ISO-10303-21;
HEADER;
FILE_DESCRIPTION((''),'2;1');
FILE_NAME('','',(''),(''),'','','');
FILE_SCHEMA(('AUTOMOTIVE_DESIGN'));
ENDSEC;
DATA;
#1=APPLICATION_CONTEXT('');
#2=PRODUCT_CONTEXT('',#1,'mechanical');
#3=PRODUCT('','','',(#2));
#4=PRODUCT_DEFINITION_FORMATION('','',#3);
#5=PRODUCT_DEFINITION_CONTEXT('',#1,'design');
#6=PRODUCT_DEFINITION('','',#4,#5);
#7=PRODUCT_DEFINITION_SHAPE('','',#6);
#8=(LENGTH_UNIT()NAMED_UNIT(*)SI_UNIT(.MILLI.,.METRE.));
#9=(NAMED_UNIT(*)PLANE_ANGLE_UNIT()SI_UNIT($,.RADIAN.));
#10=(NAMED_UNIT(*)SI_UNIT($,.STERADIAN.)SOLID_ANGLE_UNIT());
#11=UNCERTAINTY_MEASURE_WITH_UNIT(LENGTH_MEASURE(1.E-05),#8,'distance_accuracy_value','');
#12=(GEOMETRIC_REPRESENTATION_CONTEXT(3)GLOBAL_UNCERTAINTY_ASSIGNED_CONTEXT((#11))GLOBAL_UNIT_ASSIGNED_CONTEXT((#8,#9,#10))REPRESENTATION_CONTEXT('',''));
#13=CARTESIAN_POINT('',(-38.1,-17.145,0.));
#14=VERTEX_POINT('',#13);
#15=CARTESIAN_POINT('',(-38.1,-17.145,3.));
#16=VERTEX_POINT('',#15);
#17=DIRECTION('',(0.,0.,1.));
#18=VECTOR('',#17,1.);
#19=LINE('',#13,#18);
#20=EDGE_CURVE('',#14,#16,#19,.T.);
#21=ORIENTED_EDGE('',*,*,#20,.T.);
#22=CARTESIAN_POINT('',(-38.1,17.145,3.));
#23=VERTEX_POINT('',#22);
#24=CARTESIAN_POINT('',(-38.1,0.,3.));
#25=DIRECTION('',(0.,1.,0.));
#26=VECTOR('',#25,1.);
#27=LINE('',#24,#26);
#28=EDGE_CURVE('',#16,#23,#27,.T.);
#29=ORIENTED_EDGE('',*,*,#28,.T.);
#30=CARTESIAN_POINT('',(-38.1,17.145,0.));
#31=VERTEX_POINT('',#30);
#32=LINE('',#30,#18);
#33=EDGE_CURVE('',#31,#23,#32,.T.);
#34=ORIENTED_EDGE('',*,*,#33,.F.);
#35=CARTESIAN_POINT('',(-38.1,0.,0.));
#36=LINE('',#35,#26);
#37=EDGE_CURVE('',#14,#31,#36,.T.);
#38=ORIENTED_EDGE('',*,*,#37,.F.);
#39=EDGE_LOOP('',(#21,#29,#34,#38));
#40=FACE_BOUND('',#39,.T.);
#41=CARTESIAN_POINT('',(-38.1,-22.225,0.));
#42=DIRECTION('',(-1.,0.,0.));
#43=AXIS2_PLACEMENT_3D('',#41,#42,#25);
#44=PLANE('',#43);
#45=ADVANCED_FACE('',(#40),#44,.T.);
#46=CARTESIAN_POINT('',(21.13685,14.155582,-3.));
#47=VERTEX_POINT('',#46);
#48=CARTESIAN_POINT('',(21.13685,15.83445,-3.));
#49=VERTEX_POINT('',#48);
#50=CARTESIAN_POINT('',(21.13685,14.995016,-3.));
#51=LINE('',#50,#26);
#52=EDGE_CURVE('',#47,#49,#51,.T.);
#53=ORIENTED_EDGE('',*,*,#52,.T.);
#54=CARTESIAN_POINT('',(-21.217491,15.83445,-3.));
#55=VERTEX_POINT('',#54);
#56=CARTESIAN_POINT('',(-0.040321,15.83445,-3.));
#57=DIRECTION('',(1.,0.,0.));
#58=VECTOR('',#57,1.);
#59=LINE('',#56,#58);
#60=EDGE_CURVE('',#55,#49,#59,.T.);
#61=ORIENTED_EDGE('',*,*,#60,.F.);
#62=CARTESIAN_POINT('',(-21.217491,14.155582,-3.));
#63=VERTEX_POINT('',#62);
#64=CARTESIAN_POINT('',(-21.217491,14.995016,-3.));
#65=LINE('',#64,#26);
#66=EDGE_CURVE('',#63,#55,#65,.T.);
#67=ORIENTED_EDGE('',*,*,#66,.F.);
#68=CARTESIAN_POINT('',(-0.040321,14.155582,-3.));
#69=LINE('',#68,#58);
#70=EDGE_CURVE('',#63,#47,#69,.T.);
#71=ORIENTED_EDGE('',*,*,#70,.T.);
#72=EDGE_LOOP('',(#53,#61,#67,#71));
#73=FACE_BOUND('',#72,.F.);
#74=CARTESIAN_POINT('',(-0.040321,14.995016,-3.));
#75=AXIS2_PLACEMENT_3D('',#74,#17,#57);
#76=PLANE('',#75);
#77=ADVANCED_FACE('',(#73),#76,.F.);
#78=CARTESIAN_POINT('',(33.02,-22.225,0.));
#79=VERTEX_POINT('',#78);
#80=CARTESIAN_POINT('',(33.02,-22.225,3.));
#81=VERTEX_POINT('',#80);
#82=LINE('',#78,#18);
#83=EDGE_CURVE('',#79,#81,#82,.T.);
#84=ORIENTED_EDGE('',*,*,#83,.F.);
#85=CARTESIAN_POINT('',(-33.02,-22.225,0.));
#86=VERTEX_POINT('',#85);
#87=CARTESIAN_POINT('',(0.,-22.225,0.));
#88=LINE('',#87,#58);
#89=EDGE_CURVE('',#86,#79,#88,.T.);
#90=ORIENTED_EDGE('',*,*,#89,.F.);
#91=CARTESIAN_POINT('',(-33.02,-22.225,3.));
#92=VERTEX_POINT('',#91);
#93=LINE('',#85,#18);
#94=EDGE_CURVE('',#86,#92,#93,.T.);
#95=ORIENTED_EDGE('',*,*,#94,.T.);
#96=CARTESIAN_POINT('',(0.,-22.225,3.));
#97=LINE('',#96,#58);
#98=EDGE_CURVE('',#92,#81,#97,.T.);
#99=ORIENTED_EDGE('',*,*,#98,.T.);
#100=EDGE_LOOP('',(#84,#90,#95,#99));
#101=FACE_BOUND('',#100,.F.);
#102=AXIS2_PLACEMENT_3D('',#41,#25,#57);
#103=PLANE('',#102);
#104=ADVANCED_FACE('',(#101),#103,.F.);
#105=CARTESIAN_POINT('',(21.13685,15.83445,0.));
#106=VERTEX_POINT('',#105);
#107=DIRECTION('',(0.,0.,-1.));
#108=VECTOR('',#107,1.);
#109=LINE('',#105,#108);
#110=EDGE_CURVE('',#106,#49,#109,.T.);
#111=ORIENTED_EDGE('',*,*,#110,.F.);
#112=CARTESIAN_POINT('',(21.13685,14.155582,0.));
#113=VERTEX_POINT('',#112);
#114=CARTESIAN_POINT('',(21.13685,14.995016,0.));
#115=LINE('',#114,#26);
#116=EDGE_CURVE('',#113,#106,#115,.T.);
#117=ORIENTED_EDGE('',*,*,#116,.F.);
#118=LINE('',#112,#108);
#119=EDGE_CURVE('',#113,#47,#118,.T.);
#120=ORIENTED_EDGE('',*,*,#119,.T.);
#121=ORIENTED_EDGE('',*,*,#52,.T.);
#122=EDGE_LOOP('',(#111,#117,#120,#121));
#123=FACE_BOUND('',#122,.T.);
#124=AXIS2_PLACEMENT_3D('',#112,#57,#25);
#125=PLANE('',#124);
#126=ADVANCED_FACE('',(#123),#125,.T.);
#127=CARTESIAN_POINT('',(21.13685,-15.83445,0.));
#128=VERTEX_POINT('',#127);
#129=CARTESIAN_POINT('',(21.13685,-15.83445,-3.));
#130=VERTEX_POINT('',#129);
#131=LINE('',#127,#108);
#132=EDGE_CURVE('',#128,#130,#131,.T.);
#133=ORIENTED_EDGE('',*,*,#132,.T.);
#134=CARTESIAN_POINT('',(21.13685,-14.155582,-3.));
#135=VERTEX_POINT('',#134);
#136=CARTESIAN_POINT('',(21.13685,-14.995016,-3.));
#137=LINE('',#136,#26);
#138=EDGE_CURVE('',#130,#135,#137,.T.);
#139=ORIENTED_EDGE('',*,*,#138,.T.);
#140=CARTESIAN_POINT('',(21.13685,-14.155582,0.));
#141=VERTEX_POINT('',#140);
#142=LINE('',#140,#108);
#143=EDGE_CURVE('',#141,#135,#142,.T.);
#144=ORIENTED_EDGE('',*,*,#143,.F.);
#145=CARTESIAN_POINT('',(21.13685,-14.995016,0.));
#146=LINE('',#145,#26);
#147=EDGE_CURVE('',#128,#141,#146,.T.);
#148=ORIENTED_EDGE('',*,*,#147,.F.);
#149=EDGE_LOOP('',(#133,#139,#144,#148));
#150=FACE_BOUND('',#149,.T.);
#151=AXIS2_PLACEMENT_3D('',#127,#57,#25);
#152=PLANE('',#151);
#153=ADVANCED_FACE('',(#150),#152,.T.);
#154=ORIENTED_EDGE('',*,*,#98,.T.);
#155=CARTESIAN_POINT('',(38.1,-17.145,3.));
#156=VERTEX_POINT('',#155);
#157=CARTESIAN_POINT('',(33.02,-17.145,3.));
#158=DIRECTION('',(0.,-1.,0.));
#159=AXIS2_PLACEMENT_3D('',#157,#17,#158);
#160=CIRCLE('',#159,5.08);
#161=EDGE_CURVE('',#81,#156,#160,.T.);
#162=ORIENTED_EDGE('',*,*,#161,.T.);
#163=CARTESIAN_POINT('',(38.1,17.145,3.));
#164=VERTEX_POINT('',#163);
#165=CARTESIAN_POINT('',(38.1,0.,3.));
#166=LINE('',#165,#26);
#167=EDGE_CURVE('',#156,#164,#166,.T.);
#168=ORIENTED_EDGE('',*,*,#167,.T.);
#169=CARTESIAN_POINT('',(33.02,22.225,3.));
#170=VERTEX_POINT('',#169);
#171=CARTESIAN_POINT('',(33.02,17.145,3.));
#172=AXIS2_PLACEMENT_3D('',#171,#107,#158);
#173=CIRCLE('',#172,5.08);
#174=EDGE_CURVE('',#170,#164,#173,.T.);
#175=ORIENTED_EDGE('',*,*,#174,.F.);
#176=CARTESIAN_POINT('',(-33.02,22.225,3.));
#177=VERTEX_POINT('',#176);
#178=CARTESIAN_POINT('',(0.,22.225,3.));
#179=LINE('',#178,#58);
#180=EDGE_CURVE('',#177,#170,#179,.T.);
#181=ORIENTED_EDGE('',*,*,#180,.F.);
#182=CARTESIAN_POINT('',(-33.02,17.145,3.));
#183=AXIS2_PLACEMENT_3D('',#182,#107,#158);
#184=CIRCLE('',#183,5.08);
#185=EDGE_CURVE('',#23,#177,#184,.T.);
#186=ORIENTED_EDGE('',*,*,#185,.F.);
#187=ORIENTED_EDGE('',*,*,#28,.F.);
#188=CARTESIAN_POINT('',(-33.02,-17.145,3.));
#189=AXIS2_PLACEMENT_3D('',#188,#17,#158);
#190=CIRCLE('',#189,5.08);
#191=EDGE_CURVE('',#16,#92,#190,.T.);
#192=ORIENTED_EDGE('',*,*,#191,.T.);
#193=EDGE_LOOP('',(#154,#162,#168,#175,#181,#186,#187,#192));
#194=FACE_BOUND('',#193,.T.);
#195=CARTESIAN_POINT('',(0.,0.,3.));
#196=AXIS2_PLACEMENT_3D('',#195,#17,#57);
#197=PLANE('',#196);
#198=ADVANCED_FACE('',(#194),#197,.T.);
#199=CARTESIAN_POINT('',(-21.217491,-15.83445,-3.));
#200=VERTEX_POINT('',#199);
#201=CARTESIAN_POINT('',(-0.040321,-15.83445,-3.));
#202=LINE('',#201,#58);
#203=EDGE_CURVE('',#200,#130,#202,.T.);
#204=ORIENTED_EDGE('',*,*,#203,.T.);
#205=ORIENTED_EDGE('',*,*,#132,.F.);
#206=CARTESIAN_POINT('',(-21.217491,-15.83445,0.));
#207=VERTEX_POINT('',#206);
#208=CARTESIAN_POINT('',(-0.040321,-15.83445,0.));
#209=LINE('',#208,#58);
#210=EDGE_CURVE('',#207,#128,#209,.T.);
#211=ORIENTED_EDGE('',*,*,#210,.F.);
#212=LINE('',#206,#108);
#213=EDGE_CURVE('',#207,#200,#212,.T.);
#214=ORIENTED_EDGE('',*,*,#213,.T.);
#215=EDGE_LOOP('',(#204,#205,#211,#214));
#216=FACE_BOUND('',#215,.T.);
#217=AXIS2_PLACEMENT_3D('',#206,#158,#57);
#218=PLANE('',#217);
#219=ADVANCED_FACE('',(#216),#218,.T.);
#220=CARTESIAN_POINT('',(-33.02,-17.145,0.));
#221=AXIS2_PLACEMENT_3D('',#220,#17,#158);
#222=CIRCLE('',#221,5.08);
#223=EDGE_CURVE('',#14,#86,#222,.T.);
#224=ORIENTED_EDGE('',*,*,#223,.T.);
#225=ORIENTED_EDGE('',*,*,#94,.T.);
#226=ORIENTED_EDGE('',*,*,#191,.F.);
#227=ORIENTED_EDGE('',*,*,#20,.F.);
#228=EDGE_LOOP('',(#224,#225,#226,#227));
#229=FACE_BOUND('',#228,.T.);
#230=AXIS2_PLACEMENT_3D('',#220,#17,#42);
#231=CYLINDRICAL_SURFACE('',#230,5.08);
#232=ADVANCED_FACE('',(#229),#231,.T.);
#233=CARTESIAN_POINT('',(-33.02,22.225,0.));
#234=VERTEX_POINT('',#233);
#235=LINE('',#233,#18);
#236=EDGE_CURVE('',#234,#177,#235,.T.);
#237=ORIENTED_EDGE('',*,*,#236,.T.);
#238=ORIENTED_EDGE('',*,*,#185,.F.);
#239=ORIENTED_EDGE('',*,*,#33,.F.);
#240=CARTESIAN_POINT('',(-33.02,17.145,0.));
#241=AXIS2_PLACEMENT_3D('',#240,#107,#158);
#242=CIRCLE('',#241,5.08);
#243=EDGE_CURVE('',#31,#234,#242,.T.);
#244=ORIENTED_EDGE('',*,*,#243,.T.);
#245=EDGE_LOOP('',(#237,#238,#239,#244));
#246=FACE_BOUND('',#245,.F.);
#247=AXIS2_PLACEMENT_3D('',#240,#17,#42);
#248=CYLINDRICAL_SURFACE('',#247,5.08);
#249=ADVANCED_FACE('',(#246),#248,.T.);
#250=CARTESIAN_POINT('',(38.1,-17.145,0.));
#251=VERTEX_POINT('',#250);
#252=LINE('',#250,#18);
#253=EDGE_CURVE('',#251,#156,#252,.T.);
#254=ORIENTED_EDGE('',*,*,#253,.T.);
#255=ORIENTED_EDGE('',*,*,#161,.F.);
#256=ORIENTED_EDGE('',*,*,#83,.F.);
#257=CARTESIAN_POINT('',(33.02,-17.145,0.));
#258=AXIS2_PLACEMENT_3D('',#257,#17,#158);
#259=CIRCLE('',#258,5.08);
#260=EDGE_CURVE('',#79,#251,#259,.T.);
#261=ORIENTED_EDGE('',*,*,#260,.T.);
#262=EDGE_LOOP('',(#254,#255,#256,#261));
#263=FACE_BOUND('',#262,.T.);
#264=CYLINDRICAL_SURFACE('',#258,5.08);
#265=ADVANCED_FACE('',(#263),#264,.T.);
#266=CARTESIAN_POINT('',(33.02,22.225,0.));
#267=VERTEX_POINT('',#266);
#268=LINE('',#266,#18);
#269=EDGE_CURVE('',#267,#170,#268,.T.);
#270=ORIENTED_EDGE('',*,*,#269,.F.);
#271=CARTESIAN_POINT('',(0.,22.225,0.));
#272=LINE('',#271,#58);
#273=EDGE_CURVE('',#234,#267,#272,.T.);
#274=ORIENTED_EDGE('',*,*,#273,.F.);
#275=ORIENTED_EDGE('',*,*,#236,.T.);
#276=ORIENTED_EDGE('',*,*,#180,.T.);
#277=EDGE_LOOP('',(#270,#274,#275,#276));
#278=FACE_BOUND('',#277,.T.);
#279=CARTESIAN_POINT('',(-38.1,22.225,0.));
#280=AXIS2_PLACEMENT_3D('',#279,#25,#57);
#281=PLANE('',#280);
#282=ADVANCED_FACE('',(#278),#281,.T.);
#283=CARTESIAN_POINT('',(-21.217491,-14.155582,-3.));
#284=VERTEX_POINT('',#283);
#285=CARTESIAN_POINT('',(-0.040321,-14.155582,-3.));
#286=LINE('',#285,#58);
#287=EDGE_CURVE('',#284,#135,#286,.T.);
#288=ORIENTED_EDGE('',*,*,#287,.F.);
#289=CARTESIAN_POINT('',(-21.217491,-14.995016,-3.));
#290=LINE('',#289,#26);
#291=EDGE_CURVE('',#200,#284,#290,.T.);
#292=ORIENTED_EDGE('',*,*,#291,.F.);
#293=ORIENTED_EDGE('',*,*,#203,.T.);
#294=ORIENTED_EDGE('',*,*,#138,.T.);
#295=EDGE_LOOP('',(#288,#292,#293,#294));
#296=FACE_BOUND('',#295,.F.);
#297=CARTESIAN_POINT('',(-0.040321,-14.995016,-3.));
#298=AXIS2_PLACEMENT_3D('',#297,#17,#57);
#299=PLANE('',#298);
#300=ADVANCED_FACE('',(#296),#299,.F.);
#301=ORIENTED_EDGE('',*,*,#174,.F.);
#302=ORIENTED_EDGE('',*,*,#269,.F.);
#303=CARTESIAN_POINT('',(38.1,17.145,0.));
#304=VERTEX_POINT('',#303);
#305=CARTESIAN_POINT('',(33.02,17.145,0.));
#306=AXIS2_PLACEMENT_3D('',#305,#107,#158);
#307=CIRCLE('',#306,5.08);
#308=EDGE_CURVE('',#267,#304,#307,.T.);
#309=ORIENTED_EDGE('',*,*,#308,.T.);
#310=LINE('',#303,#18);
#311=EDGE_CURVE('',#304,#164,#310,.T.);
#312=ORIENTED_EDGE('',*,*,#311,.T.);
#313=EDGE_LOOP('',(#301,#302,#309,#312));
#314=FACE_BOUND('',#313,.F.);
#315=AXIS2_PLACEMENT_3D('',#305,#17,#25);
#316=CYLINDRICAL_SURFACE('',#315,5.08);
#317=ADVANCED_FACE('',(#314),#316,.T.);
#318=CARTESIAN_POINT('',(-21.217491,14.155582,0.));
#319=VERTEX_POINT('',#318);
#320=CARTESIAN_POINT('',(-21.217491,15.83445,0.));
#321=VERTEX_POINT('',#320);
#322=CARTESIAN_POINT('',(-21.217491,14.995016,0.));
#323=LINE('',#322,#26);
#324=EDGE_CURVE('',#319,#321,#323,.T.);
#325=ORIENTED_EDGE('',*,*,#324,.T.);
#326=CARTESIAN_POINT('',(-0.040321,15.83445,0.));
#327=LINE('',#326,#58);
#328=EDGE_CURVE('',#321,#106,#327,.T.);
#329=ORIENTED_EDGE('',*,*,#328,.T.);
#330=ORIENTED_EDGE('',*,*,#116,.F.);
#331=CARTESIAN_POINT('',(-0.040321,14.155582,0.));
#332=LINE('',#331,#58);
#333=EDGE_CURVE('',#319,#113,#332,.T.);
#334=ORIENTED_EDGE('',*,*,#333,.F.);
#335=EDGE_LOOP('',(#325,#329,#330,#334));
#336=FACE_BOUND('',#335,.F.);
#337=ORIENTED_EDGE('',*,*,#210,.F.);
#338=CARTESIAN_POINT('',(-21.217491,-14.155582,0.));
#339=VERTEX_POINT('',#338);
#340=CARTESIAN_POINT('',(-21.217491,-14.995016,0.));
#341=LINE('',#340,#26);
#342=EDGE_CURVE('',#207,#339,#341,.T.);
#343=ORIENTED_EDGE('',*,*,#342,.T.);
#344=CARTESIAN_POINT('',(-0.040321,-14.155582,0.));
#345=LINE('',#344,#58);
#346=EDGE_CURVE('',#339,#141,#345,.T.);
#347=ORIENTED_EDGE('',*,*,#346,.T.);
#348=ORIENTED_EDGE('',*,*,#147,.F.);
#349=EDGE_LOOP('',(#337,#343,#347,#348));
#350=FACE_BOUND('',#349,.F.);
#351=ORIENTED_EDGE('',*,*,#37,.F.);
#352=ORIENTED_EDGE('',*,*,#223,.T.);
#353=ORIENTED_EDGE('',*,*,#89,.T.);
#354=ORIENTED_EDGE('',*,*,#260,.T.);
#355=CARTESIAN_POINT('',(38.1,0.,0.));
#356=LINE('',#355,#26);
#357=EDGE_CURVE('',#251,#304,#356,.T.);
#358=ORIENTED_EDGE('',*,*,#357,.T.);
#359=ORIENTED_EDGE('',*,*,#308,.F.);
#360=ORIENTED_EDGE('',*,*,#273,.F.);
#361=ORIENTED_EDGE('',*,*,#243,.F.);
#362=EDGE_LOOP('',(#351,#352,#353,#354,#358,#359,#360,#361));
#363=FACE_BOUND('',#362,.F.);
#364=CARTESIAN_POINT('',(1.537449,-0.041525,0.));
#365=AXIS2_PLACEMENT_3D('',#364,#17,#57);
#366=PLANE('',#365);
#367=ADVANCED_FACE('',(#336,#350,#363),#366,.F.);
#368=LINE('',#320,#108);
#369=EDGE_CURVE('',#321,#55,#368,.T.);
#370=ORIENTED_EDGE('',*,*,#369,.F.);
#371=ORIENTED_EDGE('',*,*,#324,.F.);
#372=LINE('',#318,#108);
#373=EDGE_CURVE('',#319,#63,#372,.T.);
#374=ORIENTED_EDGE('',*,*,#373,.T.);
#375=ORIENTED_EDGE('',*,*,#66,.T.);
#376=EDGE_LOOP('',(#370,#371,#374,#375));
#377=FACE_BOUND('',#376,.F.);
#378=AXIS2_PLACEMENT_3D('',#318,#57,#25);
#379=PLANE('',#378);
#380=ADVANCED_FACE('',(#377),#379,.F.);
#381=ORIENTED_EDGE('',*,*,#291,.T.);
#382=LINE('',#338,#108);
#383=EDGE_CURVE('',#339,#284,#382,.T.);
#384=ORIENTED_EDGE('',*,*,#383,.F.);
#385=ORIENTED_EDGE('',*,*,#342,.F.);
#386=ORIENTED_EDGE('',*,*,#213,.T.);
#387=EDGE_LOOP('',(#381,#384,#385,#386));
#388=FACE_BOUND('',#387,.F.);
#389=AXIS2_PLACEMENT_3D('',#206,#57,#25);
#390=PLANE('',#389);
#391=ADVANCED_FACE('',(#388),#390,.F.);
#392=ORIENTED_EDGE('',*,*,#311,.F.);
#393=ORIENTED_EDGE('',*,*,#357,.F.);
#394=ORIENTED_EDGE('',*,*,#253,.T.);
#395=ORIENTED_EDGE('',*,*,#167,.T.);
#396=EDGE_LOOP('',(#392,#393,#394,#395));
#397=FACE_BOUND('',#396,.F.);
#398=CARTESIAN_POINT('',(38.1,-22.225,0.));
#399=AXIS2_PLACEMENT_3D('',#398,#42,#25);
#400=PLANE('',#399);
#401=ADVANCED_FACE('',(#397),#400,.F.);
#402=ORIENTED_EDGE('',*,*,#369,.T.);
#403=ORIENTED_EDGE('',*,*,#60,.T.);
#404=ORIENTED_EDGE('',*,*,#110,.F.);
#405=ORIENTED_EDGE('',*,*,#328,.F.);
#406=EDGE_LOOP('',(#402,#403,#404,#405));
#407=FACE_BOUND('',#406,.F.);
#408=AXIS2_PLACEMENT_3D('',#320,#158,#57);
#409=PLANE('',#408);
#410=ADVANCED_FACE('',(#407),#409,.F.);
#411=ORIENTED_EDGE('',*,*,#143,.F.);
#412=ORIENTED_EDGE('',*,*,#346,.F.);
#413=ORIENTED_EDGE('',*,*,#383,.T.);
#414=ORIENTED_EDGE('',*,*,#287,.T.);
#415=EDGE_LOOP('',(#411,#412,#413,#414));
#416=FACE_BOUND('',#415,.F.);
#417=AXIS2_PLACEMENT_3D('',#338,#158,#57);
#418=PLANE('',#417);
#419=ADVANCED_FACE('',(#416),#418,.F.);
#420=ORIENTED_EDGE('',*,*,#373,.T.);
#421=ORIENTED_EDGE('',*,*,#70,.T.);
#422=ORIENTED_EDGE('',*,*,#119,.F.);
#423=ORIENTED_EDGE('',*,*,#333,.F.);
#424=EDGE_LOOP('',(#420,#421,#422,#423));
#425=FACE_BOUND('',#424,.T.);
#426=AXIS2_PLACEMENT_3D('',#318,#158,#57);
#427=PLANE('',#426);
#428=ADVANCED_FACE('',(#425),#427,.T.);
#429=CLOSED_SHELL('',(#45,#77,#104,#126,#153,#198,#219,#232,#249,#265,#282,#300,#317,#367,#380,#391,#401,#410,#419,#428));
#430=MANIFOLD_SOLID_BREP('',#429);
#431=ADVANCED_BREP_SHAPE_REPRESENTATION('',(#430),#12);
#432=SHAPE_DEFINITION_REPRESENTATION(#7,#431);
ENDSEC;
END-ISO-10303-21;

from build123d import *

# Parameters (mm, degrees)
F0_W     = 76.2
F0_H     = 44.45
F1_DEPTH = 3
F2_DEPTH = 3
F3_R     = 5.08
F4_W     = 42.3543415964
F4_H     = 1.6788681969
F5_DEPTH = 3


with BuildPart() as f1:
    # F0 (on Top) → F1 (new body)
    with BuildSketch(Plane.XY):
        Rectangle(F0_W, F0_H)
        with BuildLine():
            Line((-30.0455586378, -5.2290757074), (-30.0455586378, 5.0972730335))
            ThreePointArc((-30.0455586378, 5.0972730335), (-30.1515789958, 14.6432590947), (-21.8663889779, 9.9006104081))
            ThreePointArc((-21.8663889779, 9.9006104081), (-22.9155259968, 6.6695395757), (-25.6626866956, 4.6711363874))
            Line((-25.6626866956, 4.6711363874), (-25.6626866956, 1.9259689143))
            Line((-25.6626866956, 1.9259689143), (26.3650547713, 1.9259689143))
            Line((26.3650547713, 1.9259689143), (28.737584129, 1.9259689143))
            Line((28.737584129, 1.9259689143), (28.737584129, -2.0090183243))
            Line((28.737584129, -2.0090183243), (26.3650547713, -2.0090183243))
            Line((26.3650547713, -2.0090183243), (-25.6626866956, -2.0090183243))
            Line((-25.6626866956, -2.0090183243), (-25.6626866956, -4.8029390612))
            ThreePointArc((-25.6626866956, -4.8029390612), (-22.9155259968, -6.8013422496), (-21.8663889779, -10.0324130819))
            ThreePointArc((-21.8663889779, -10.0324130819), (-30.1515789958, -14.7750617685), (-30.0455586378, -5.2290757074))
        make_face(mode=Mode.SUBTRACT)
    extrude(amount=F1_DEPTH)

    # F0 (on Top) → F2 (join)
    with BuildSketch(Plane.XY):
        Polygon((26.3650547713, 1.9259689143), (-25.6626866956, 1.9259689143), (-25.6626866956, -2.0090183243), (26.3650547713, -2.0090183243), (28.737584129, -2.0090183243), (28.737584129, 1.9259689143), align=None)
        with BuildLine():
            ThreePointArc((-25.6626866956, -4.8029390612), (-26.5038656779, -4.6004655898), (-27.3663889779, -4.5324130819))
            ThreePointArc((-27.3663889779, -4.5324130819), (-28.7505212765, -4.7094272864), (-30.0455586378, -5.2290757074))
            ThreePointArc((-30.0455586378, -5.2290757074), (-30.1515789958, -14.7750617685), (-21.8663889779, -10.0324130819))
            ThreePointArc((-21.8663889779, -10.0324130819), (-22.9155259968, -6.8013422496), (-25.6626866956, -4.8029390612))
        make_face()
        with BuildLine():
            Line((-27.3663889779, -4.5324130819), (-27.3663889779, 4.4006104081))
            ThreePointArc((-27.3663889779, 4.4006104081), (-28.7505212765, 4.5776246125), (-30.0455586378, 5.0972730335))
            Line((-30.0455586378, 5.0972730335), (-30.0455586378, -5.2290757074))
            ThreePointArc((-30.0455586378, -5.2290757074), (-28.7505212765, -4.7094272864), (-27.3663889779, -4.5324130819))
        make_face()
        with BuildLine():
            ThreePointArc((-30.0455586378, 5.0972730335), (-28.7505212765, 4.5776246125), (-27.3663889779, 4.4006104081))
            ThreePointArc((-27.3663889779, 4.4006104081), (-26.5038656779, 4.468662916), (-25.6626866956, 4.6711363874))
            ThreePointArc((-25.6626866956, 4.6711363874), (-22.9155259968, 6.6695395757), (-21.8663889779, 9.9006104081))
            ThreePointArc((-21.8663889779, 9.9006104081), (-30.1515789958, 14.6432590947), (-30.0455586378, 5.0972730335))
        make_face()
        with BuildLine():
            ThreePointArc((-25.6626866956, 4.6711363874), (-26.5038656779, 4.468662916), (-27.3663889779, 4.4006104081))
            Line((-27.3663889779, 4.4006104081), (-27.3663889779, -4.5324130819))
            ThreePointArc((-27.3663889779, -4.5324130819), (-26.5038656779, -4.6004655898), (-25.6626866956, -4.8029390612))
            Line((-25.6626866956, -4.8029390612), (-25.6626866956, -2.0090183243))
            Line((-25.6626866956, -2.0090183243), (-25.6626866956, 1.9259689143))
            Line((-25.6626866956, 1.9259689143), (-25.6626866956, 4.6711363874))
        make_face()
    extrude(amount=F2_DEPTH)

    # F3
    f3_edges = [f1.edges().sort_by_distance(p)[0] for p in [
        (38.1, 22.225, 1.5),
        (38.1, -22.225, 1.5),
        (-38.1, -22.225, 1.5),
        (-38.1, 22.225, 1.5),
    ]]
    fillet(f3_edges, radius=F3_R)

    # F4 (on face) → F5 (join)
    with BuildSketch(Plane.XY):
        with Locations((-0.0403206795, -14.995015692)):
            Rectangle(F4_W, F4_H)
        with Locations((-0.0403206795, 14.995015692)):
            Rectangle(F4_W, F4_H)
    extrude(amount=-F5_DEPTH)


solid = f1.part
